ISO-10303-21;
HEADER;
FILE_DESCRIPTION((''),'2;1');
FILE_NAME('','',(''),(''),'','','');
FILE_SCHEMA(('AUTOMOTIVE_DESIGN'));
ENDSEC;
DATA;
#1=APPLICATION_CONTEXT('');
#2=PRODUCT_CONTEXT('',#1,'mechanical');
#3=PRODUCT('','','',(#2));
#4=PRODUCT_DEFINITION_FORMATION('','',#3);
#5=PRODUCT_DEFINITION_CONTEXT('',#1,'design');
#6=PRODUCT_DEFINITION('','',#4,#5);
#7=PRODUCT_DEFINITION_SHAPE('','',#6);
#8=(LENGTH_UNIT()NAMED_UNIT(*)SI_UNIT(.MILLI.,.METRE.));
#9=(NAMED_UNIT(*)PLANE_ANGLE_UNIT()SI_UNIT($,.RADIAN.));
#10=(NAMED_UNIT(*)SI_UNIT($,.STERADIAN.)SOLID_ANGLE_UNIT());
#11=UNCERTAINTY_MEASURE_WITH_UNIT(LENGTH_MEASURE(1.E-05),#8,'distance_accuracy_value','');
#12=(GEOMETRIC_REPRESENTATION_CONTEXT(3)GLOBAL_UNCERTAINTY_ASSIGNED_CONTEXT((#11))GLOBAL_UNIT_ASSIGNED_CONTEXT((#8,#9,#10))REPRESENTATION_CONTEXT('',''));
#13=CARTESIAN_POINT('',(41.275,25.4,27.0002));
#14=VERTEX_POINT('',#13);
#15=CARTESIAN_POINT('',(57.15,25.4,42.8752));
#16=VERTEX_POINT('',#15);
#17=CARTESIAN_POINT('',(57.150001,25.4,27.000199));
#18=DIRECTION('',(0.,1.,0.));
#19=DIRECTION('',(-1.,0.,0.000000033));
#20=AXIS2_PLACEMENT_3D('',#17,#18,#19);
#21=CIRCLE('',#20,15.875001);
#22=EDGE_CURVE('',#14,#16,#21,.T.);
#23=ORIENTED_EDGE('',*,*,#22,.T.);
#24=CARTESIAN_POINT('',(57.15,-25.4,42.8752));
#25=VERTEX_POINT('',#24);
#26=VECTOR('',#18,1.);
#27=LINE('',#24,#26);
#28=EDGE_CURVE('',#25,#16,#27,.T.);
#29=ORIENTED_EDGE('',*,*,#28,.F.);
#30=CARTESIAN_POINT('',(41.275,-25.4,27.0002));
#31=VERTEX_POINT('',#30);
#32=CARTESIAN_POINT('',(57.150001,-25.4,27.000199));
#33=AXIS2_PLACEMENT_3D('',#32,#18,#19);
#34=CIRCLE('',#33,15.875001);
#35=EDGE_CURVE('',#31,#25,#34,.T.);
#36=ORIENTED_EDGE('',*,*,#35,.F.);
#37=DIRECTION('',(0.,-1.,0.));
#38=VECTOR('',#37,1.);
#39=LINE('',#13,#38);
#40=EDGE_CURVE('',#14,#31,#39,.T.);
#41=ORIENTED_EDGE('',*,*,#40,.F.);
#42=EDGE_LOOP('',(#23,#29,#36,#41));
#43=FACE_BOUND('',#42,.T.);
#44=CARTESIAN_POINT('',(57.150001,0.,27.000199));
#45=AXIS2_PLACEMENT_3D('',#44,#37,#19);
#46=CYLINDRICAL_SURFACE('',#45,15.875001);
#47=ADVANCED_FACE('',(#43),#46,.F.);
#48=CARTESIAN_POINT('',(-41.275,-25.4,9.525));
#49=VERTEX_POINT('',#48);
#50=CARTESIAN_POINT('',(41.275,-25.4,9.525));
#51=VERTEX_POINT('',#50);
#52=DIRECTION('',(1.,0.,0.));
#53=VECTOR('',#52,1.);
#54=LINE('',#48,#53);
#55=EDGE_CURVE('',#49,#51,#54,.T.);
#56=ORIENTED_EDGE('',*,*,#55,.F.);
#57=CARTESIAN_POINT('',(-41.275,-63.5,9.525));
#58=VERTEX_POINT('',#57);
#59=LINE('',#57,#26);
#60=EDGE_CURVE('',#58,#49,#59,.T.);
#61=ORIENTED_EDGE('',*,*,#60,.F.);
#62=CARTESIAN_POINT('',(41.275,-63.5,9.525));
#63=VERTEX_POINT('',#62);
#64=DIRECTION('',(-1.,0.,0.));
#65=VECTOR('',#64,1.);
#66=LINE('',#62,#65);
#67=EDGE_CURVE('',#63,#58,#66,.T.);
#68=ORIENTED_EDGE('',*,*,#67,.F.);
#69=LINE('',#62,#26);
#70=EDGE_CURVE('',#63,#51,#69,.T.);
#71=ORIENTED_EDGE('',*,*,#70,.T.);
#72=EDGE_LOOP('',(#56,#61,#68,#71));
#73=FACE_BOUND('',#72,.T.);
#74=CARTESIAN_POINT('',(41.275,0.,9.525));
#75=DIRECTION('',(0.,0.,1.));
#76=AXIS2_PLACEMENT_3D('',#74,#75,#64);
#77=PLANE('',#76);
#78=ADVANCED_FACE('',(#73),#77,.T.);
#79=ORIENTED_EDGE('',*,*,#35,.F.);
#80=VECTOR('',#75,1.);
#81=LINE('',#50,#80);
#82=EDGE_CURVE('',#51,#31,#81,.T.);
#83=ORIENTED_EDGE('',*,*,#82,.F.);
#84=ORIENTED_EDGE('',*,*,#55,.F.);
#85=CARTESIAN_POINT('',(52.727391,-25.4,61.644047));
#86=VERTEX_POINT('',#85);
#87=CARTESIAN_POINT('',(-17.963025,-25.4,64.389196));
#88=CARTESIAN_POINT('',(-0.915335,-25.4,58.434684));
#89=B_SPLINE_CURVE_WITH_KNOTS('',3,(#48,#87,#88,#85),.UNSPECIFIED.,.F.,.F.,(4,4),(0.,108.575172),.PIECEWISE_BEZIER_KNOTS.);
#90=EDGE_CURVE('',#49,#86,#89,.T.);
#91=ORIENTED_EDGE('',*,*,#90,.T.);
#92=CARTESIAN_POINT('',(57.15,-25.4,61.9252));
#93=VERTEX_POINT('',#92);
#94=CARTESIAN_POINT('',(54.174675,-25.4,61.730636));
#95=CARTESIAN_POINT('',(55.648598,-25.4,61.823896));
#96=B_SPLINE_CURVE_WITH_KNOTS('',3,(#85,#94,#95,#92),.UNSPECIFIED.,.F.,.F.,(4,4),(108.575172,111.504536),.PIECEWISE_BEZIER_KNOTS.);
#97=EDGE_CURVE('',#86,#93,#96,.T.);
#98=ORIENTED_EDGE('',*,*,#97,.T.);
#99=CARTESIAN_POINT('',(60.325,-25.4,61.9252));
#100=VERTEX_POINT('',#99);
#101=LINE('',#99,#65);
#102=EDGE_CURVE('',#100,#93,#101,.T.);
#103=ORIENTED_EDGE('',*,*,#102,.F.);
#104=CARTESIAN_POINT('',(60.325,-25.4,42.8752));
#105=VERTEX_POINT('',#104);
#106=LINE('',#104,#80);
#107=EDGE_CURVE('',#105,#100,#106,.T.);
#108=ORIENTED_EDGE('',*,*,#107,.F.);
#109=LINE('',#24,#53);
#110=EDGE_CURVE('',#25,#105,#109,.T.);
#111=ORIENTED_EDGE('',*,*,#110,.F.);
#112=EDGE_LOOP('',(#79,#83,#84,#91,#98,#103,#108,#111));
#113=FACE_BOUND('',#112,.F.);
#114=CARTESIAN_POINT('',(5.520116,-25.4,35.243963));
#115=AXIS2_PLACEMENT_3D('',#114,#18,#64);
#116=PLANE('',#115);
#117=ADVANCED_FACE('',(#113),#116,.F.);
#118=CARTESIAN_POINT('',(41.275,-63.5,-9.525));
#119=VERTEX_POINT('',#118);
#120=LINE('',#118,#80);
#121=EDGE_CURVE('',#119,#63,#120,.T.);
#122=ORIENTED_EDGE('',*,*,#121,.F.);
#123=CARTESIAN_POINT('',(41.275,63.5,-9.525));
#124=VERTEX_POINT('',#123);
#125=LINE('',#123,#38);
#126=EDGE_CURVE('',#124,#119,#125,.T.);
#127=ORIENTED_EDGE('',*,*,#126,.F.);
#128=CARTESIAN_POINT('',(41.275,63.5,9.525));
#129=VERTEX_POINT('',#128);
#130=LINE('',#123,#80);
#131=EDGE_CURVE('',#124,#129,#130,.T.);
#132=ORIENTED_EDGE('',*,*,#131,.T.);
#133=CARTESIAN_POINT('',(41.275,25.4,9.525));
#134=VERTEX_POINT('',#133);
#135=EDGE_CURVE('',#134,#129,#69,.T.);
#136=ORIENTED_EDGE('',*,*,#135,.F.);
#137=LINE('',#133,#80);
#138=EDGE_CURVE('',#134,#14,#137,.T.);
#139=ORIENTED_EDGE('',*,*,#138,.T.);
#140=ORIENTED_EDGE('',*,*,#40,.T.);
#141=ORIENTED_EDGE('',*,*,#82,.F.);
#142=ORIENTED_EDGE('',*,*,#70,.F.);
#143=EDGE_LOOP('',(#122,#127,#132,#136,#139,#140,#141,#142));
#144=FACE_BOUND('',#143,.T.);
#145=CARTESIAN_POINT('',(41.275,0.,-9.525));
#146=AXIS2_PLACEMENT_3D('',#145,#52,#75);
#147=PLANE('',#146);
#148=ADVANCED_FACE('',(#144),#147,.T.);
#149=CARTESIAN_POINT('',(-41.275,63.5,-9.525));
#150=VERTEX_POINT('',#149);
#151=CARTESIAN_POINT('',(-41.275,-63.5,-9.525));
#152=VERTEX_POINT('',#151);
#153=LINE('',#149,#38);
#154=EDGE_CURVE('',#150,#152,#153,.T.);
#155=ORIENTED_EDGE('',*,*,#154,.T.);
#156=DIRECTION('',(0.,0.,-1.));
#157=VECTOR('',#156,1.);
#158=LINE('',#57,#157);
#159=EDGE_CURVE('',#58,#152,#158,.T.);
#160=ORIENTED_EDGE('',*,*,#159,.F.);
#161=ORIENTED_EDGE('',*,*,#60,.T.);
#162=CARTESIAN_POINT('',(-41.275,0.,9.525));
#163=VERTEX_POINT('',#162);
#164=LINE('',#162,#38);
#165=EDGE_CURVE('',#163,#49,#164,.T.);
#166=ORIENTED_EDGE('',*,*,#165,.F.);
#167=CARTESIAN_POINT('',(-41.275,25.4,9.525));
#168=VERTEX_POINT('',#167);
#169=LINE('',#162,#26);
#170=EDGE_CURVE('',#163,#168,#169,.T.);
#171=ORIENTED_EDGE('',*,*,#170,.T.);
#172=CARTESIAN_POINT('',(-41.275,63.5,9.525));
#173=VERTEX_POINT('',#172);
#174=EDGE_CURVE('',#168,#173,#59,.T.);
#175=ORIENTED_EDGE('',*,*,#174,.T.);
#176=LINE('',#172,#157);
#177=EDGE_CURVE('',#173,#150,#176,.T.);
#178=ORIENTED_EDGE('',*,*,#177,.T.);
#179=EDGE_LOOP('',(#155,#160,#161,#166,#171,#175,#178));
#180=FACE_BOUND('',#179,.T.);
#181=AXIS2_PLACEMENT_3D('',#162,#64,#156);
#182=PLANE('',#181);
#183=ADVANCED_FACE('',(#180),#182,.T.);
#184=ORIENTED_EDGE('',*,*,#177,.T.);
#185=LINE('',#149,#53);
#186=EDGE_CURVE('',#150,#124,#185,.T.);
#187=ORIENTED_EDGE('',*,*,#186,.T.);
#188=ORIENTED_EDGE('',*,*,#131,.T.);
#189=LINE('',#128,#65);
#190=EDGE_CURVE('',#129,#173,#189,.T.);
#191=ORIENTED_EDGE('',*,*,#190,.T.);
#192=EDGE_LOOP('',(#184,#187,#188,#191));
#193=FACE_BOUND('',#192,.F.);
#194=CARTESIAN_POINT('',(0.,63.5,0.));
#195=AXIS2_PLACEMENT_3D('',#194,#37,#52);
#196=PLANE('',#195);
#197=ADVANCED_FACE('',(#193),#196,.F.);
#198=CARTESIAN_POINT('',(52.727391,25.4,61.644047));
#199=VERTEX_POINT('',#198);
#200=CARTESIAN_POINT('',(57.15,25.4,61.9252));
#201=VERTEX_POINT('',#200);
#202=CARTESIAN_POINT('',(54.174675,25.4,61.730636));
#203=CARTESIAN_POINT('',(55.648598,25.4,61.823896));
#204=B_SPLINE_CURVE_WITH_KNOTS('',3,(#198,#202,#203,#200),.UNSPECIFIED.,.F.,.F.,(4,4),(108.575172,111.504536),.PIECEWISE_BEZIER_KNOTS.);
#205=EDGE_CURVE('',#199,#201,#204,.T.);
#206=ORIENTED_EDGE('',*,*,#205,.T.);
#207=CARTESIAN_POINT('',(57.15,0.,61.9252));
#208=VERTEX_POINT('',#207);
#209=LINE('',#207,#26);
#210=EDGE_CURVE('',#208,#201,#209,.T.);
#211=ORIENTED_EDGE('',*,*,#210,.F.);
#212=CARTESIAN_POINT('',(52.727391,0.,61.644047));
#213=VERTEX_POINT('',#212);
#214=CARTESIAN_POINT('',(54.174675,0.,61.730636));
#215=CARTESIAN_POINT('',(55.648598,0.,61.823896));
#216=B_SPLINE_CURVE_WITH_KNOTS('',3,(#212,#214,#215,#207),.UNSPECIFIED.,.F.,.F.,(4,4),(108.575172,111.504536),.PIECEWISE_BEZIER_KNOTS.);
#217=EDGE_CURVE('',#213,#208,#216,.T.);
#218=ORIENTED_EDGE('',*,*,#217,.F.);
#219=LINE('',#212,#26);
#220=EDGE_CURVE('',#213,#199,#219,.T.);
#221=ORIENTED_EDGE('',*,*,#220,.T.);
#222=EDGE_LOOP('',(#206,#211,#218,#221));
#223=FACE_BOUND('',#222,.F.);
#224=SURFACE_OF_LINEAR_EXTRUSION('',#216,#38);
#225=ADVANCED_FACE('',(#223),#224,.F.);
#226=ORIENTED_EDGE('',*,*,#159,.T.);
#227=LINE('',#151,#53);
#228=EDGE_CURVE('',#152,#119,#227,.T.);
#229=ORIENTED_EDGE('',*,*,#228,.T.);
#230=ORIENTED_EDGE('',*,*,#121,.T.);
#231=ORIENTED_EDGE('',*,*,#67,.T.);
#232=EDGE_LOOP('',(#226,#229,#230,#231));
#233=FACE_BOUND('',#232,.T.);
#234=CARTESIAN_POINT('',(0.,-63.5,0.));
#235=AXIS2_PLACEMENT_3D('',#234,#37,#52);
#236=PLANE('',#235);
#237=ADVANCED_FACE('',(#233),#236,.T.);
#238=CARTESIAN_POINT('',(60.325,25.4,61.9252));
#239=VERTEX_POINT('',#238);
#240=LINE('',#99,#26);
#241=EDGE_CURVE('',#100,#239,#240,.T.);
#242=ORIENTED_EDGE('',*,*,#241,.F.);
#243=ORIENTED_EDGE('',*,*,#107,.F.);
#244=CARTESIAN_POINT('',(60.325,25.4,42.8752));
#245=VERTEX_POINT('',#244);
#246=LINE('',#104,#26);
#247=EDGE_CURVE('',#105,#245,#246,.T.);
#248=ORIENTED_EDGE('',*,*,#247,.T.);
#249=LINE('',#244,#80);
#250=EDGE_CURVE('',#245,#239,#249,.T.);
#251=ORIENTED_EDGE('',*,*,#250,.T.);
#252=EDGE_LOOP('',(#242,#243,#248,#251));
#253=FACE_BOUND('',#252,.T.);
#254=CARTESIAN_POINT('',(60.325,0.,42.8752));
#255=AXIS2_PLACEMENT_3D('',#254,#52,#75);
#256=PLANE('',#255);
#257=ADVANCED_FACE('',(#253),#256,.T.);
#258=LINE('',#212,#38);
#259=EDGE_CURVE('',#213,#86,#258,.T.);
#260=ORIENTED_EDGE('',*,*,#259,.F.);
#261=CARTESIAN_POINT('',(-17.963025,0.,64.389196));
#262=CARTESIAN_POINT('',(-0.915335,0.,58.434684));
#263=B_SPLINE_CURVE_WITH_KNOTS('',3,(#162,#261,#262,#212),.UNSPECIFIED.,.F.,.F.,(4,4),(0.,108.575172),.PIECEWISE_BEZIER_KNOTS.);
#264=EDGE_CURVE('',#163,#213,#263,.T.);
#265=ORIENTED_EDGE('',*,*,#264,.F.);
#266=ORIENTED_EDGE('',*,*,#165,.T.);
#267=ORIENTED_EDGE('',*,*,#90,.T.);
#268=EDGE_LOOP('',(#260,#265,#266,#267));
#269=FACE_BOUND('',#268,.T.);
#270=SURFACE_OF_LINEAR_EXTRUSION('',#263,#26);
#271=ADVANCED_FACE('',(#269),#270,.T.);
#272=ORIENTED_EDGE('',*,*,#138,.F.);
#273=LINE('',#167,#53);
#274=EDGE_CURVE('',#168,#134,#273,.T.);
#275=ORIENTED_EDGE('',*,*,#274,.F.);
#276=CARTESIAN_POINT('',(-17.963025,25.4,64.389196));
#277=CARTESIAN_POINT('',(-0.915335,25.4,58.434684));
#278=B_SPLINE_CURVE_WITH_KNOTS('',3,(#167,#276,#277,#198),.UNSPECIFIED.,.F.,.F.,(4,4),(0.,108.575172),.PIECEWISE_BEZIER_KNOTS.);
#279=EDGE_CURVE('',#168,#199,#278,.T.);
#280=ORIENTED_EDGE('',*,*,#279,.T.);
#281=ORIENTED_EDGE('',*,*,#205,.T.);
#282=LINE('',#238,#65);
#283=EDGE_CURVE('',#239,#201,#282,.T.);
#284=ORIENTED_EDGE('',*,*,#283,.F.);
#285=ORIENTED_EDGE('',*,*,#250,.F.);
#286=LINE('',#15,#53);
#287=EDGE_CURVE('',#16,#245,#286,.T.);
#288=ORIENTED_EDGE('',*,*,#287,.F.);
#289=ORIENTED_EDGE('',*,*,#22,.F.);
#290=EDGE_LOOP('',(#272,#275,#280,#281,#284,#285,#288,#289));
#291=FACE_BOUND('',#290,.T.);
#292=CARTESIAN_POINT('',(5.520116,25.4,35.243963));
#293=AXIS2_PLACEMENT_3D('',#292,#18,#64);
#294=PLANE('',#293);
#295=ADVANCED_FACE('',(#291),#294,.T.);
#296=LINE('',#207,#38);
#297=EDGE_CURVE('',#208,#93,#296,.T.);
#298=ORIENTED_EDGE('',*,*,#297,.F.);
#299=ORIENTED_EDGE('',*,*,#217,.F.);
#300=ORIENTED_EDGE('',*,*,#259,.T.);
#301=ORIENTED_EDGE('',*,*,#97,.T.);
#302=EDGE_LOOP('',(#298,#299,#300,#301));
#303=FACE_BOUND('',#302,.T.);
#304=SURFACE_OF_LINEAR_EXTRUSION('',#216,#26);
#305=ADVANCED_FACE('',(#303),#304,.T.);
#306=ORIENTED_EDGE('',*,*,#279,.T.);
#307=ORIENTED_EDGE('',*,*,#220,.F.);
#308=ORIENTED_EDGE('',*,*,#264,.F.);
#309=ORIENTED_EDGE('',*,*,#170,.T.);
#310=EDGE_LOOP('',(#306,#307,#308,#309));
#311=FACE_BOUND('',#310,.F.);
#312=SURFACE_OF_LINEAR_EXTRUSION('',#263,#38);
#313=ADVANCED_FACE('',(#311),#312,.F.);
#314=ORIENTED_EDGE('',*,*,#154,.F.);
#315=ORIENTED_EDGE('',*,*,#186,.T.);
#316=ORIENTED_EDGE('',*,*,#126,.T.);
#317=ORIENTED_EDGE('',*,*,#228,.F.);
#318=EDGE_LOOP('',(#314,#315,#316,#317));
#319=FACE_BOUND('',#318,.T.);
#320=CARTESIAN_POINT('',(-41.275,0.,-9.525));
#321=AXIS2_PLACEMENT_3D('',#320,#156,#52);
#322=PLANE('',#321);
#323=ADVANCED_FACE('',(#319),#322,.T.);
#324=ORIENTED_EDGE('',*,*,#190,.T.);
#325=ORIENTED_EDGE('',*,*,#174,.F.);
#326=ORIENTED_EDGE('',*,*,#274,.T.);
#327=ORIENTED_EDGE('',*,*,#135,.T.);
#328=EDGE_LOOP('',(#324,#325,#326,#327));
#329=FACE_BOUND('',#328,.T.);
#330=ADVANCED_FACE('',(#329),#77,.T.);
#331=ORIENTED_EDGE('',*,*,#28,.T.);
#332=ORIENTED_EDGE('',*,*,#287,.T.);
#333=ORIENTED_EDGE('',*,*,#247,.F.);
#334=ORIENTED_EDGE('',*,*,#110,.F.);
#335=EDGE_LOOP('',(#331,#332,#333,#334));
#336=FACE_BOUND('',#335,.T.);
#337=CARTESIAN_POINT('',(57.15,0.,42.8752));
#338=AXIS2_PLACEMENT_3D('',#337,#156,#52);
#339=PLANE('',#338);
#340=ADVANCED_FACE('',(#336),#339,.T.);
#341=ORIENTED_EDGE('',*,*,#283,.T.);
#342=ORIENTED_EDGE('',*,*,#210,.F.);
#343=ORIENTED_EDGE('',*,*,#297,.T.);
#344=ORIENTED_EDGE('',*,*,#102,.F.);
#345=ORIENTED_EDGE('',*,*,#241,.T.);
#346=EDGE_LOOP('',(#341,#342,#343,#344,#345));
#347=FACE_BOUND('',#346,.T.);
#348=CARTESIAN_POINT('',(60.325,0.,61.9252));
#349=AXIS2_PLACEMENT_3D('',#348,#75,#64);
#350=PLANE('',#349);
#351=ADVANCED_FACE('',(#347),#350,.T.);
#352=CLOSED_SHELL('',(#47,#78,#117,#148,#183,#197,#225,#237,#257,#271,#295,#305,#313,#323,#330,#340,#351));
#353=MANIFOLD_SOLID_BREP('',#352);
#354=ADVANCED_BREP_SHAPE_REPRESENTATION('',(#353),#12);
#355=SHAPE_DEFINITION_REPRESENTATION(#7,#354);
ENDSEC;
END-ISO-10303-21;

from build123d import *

# Parameters (mm, degrees)
F1_DEPTH = 63.5
F2_DEPTH = 25.4


with BuildPart() as f1:
    # F0 (on Front) → F1 (new body, symmetric)
    with BuildSketch(Plane.XZ):
        Polygon((22.225, 9.525), (-41.275, 9.525), (-41.275, -9.525), (41.275, -9.525), (41.275, 9.525), align=None)
    extrude(amount=F1_DEPTH, both=True)

    # F0 (on Front) → F2 (join, symmetric)
    with BuildSketch(Plane.XZ):
        with BuildLine():
            add(Edge.make_bspline(
                [(-41.275, 9.525), (-17.963025, 64.389196), (-0.915335, 58.434684), (52.727391, 61.644047)],
                knots=[0, 0, 0, 0, 108.575172, 108.575172, 108.575172, 108.575172], degree=3))
            Line((-41.275, 9.525), (22.225, 9.525))
            Line((22.225, 9.525), (22.225, 27.0002))
            ThreePointArc((22.225, 27.0002), (30.937262, 50.079368), (52.727391, 61.644047))
        make_face()
        with BuildLine():
            Line((22.225, 27.0002), (22.225, 9.525))
            Line((22.225, 9.525), (41.275, 9.525))
            Line((41.275, 9.525), (41.275, 27.0002))
            ThreePointArc((41.275, 27.0002), (45.92468, 38.22552), (57.15, 42.8752))
            Line((57.15, 42.8752), (60.325, 42.8752))
            Line((60.325, 42.8752), (60.325, 61.9252))
            Line((60.325, 61.9252), (57.15, 61.9252))
            add(Edge.make_bspline(
                [(52.727391, 61.644047), (54.174675, 61.730636), (55.648598, 61.823896), (57.15, 61.9252)],
                knots=[108.575172, 108.575172, 108.575172, 108.575172, 111.504536, 111.504536, 111.504536, 111.504536], degree=3))
            ThreePointArc((52.727391, 61.644047), (30.937262, 50.079368), (22.225, 27.0002))
        make_face()
    extrude(amount=F2_DEPTH, both=True)


solid = f1.part
